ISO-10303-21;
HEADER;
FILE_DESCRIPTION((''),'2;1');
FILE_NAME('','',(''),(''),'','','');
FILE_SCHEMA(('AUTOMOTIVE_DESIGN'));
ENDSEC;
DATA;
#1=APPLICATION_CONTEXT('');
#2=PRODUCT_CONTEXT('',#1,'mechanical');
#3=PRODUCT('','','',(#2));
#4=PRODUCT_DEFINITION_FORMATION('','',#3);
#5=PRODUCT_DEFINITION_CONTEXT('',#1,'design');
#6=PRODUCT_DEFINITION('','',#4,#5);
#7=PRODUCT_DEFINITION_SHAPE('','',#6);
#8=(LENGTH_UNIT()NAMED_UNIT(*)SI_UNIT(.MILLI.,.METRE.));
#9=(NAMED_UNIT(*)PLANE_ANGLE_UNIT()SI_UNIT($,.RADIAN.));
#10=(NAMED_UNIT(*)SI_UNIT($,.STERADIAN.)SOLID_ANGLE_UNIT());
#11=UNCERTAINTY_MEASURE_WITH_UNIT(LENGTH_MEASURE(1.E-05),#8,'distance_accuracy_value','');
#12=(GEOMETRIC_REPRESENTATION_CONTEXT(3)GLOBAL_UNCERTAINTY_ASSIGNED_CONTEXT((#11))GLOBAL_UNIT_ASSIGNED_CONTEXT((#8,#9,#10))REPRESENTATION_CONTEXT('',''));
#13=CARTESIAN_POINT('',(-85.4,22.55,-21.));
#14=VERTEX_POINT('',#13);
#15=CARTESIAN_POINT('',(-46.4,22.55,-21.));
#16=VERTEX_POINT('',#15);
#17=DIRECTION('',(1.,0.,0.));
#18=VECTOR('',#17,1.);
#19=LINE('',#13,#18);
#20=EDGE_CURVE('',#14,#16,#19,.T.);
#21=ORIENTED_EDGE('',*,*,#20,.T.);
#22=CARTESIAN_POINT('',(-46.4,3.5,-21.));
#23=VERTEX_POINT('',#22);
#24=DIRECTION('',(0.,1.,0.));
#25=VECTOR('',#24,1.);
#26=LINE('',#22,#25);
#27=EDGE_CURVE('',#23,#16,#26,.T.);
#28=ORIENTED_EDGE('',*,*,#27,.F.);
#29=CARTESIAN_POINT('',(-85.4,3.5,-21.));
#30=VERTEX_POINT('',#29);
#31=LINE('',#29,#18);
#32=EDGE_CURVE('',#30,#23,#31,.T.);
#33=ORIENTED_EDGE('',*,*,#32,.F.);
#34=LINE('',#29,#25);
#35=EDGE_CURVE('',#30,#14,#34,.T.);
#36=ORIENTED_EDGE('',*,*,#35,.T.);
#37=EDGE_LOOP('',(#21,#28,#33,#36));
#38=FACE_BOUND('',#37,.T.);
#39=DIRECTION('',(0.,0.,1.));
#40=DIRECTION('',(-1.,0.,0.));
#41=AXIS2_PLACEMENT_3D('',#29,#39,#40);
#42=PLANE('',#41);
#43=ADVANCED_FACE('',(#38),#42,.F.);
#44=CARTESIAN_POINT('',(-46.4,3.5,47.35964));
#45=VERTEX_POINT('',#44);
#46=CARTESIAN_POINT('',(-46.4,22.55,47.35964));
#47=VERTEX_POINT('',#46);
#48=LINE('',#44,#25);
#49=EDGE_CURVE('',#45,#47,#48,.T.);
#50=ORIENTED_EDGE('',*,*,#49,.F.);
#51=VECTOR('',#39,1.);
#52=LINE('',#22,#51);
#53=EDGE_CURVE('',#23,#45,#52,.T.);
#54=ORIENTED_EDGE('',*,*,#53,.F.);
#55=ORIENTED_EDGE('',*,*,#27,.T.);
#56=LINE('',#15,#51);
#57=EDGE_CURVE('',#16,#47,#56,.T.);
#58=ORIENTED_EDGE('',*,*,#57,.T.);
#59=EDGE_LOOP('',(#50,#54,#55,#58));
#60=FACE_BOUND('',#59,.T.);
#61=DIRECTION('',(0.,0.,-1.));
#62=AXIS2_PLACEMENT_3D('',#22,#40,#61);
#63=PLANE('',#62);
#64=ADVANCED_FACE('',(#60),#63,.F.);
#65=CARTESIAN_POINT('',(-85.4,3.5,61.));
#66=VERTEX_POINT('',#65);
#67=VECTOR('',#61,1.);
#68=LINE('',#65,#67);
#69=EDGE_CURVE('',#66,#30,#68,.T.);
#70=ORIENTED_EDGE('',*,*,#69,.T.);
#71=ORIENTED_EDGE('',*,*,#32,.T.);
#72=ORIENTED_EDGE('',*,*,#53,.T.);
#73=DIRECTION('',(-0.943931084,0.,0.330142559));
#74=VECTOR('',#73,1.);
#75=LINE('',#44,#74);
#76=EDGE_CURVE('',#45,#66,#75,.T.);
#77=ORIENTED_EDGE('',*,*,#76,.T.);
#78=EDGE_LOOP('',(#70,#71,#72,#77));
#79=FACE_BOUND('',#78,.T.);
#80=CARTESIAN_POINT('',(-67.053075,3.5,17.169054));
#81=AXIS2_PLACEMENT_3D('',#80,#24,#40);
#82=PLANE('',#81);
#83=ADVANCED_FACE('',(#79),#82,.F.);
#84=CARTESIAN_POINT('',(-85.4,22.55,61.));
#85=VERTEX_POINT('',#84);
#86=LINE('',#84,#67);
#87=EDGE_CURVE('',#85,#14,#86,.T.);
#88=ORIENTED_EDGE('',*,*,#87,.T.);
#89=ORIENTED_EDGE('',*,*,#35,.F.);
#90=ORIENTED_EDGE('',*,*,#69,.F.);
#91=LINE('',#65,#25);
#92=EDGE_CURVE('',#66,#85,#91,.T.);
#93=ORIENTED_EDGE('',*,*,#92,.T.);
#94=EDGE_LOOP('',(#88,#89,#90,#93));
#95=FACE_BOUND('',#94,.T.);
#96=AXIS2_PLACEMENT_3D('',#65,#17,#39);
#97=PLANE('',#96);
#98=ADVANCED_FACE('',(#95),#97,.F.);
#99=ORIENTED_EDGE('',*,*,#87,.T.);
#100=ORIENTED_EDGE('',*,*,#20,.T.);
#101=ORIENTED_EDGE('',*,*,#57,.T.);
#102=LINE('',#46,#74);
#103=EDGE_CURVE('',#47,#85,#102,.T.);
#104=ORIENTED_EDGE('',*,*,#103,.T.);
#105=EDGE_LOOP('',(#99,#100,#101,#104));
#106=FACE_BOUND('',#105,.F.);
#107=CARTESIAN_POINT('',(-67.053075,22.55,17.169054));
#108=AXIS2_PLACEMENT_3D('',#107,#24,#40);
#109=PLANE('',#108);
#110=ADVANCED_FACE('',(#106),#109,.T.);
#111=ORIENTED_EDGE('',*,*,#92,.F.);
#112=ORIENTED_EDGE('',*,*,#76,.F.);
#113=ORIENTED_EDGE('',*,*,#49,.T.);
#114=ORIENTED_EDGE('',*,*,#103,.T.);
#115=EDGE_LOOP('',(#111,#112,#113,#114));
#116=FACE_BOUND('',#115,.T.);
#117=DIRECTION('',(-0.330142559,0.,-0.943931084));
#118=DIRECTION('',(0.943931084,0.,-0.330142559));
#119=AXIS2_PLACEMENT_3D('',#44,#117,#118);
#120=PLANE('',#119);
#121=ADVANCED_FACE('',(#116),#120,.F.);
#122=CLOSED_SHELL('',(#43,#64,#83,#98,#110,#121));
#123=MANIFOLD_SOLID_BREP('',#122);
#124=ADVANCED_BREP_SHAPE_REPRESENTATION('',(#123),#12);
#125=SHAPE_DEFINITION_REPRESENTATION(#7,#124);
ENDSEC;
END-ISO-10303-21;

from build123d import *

# Parameters (mm, degrees)
F0_R     = 11
F1_DEPTH = 3.5
F3_DEPTH = 19.05


with BuildPart() as f1:
    # F0 (on Front) → F1 (new body, symmetric)
    with BuildSketch(Plane.XZ):
        with BuildLine():
            ThreePointArc((32.332994, 19.822553), (28.916134, 20.703546), (25.4, 21))
            Line((25.4, 21), (-85.4, 21))
            Line((-85.4, 21), (-85.4, -21))
            Line((-85.4, -21), (25.4, -21))
            ThreePointArc((25.4, -21), (46.103546, -3.516134), (32.332994, 19.822553))
        make_face()
        with Locations((-25.4, 0)):
            Circle(F0_R, mode=Mode.SUBTRACT)
        with Locations((25.4, 0)):
            Circle(F0_R, mode=Mode.SUBTRACT)
        with BuildLine():
            Line((-85.4, 21), (25.4, 21))
            ThreePointArc((25.4, 21), (28.916134, 20.703546), (32.332994, 19.822553))
            Line((32.332994, 19.822553), (-85.4, 61))
            Line((-85.4, 61), (-85.4, 21))
        make_face()
    extrude(amount=F1_DEPTH, both=True)


with BuildPart() as f3:
    # F2 (on face) → F3 (new body)
    with BuildSketch(Plane.XZ.offset(3.5)):
        Polygon((-46.4, 47.35964), (-85.4, 61), (-85.4, -21), (-46.4, -21), align=None)
    extrude(amount=F3_DEPTH)


with BuildPart() as f4_1:
    # F4: instance of F3
    add(f3.part.mirror(Plane.XZ))


solid = f4_1.part
